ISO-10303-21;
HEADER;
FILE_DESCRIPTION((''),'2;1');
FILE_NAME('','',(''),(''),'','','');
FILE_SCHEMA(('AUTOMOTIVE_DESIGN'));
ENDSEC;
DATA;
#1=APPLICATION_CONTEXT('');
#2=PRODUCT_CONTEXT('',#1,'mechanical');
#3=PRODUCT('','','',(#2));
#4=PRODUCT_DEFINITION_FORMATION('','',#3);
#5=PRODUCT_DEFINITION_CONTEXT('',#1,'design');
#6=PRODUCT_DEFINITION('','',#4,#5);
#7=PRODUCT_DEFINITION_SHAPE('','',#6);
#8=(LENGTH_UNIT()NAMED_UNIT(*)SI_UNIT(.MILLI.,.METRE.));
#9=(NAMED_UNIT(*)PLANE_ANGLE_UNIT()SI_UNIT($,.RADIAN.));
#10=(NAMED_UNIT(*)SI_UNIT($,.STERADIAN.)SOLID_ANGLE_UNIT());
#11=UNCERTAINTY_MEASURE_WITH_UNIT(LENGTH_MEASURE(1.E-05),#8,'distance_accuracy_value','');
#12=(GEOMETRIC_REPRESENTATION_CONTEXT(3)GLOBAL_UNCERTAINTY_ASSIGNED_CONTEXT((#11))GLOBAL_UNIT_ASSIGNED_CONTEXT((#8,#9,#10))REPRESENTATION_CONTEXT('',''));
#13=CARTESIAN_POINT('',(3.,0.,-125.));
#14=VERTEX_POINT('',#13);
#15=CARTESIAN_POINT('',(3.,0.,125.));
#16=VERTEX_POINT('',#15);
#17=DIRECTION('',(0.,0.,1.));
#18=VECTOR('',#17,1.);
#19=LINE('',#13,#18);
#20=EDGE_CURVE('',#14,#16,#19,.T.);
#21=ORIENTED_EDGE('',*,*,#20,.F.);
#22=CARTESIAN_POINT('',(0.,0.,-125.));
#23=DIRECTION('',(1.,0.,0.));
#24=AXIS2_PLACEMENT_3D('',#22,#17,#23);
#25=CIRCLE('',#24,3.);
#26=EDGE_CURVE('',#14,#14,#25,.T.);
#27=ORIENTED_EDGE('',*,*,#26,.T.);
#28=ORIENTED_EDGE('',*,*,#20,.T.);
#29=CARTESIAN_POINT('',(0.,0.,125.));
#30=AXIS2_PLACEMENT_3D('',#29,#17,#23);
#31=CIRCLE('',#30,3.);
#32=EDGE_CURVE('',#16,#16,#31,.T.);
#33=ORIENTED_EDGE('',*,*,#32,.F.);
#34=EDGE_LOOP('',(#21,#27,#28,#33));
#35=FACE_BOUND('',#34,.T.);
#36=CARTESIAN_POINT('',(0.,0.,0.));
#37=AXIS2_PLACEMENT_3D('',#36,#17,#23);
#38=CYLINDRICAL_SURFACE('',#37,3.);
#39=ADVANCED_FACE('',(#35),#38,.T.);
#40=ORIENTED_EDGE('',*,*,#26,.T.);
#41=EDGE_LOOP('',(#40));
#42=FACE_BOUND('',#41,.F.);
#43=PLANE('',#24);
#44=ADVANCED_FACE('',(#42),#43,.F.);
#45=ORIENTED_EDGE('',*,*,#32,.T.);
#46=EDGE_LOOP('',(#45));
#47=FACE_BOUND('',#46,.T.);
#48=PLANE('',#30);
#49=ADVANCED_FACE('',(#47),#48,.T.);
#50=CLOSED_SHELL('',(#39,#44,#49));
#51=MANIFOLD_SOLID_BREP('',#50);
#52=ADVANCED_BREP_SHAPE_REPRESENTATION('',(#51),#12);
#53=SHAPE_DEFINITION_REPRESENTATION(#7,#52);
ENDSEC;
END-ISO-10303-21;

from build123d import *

# Parameters (mm, degrees)
SKETCH1_R           = 3
BOSS_EXTRUDE1_DEPTH = 125


with BuildPart() as part:
    # Sketch1 → Boss-Extrude1 (new body, symmetric)
    with BuildSketch(Plane.XY):
        Circle(SKETCH1_R)
    extrude(amount=BOSS_EXTRUDE1_DEPTH, both=True)


solid = part.part
